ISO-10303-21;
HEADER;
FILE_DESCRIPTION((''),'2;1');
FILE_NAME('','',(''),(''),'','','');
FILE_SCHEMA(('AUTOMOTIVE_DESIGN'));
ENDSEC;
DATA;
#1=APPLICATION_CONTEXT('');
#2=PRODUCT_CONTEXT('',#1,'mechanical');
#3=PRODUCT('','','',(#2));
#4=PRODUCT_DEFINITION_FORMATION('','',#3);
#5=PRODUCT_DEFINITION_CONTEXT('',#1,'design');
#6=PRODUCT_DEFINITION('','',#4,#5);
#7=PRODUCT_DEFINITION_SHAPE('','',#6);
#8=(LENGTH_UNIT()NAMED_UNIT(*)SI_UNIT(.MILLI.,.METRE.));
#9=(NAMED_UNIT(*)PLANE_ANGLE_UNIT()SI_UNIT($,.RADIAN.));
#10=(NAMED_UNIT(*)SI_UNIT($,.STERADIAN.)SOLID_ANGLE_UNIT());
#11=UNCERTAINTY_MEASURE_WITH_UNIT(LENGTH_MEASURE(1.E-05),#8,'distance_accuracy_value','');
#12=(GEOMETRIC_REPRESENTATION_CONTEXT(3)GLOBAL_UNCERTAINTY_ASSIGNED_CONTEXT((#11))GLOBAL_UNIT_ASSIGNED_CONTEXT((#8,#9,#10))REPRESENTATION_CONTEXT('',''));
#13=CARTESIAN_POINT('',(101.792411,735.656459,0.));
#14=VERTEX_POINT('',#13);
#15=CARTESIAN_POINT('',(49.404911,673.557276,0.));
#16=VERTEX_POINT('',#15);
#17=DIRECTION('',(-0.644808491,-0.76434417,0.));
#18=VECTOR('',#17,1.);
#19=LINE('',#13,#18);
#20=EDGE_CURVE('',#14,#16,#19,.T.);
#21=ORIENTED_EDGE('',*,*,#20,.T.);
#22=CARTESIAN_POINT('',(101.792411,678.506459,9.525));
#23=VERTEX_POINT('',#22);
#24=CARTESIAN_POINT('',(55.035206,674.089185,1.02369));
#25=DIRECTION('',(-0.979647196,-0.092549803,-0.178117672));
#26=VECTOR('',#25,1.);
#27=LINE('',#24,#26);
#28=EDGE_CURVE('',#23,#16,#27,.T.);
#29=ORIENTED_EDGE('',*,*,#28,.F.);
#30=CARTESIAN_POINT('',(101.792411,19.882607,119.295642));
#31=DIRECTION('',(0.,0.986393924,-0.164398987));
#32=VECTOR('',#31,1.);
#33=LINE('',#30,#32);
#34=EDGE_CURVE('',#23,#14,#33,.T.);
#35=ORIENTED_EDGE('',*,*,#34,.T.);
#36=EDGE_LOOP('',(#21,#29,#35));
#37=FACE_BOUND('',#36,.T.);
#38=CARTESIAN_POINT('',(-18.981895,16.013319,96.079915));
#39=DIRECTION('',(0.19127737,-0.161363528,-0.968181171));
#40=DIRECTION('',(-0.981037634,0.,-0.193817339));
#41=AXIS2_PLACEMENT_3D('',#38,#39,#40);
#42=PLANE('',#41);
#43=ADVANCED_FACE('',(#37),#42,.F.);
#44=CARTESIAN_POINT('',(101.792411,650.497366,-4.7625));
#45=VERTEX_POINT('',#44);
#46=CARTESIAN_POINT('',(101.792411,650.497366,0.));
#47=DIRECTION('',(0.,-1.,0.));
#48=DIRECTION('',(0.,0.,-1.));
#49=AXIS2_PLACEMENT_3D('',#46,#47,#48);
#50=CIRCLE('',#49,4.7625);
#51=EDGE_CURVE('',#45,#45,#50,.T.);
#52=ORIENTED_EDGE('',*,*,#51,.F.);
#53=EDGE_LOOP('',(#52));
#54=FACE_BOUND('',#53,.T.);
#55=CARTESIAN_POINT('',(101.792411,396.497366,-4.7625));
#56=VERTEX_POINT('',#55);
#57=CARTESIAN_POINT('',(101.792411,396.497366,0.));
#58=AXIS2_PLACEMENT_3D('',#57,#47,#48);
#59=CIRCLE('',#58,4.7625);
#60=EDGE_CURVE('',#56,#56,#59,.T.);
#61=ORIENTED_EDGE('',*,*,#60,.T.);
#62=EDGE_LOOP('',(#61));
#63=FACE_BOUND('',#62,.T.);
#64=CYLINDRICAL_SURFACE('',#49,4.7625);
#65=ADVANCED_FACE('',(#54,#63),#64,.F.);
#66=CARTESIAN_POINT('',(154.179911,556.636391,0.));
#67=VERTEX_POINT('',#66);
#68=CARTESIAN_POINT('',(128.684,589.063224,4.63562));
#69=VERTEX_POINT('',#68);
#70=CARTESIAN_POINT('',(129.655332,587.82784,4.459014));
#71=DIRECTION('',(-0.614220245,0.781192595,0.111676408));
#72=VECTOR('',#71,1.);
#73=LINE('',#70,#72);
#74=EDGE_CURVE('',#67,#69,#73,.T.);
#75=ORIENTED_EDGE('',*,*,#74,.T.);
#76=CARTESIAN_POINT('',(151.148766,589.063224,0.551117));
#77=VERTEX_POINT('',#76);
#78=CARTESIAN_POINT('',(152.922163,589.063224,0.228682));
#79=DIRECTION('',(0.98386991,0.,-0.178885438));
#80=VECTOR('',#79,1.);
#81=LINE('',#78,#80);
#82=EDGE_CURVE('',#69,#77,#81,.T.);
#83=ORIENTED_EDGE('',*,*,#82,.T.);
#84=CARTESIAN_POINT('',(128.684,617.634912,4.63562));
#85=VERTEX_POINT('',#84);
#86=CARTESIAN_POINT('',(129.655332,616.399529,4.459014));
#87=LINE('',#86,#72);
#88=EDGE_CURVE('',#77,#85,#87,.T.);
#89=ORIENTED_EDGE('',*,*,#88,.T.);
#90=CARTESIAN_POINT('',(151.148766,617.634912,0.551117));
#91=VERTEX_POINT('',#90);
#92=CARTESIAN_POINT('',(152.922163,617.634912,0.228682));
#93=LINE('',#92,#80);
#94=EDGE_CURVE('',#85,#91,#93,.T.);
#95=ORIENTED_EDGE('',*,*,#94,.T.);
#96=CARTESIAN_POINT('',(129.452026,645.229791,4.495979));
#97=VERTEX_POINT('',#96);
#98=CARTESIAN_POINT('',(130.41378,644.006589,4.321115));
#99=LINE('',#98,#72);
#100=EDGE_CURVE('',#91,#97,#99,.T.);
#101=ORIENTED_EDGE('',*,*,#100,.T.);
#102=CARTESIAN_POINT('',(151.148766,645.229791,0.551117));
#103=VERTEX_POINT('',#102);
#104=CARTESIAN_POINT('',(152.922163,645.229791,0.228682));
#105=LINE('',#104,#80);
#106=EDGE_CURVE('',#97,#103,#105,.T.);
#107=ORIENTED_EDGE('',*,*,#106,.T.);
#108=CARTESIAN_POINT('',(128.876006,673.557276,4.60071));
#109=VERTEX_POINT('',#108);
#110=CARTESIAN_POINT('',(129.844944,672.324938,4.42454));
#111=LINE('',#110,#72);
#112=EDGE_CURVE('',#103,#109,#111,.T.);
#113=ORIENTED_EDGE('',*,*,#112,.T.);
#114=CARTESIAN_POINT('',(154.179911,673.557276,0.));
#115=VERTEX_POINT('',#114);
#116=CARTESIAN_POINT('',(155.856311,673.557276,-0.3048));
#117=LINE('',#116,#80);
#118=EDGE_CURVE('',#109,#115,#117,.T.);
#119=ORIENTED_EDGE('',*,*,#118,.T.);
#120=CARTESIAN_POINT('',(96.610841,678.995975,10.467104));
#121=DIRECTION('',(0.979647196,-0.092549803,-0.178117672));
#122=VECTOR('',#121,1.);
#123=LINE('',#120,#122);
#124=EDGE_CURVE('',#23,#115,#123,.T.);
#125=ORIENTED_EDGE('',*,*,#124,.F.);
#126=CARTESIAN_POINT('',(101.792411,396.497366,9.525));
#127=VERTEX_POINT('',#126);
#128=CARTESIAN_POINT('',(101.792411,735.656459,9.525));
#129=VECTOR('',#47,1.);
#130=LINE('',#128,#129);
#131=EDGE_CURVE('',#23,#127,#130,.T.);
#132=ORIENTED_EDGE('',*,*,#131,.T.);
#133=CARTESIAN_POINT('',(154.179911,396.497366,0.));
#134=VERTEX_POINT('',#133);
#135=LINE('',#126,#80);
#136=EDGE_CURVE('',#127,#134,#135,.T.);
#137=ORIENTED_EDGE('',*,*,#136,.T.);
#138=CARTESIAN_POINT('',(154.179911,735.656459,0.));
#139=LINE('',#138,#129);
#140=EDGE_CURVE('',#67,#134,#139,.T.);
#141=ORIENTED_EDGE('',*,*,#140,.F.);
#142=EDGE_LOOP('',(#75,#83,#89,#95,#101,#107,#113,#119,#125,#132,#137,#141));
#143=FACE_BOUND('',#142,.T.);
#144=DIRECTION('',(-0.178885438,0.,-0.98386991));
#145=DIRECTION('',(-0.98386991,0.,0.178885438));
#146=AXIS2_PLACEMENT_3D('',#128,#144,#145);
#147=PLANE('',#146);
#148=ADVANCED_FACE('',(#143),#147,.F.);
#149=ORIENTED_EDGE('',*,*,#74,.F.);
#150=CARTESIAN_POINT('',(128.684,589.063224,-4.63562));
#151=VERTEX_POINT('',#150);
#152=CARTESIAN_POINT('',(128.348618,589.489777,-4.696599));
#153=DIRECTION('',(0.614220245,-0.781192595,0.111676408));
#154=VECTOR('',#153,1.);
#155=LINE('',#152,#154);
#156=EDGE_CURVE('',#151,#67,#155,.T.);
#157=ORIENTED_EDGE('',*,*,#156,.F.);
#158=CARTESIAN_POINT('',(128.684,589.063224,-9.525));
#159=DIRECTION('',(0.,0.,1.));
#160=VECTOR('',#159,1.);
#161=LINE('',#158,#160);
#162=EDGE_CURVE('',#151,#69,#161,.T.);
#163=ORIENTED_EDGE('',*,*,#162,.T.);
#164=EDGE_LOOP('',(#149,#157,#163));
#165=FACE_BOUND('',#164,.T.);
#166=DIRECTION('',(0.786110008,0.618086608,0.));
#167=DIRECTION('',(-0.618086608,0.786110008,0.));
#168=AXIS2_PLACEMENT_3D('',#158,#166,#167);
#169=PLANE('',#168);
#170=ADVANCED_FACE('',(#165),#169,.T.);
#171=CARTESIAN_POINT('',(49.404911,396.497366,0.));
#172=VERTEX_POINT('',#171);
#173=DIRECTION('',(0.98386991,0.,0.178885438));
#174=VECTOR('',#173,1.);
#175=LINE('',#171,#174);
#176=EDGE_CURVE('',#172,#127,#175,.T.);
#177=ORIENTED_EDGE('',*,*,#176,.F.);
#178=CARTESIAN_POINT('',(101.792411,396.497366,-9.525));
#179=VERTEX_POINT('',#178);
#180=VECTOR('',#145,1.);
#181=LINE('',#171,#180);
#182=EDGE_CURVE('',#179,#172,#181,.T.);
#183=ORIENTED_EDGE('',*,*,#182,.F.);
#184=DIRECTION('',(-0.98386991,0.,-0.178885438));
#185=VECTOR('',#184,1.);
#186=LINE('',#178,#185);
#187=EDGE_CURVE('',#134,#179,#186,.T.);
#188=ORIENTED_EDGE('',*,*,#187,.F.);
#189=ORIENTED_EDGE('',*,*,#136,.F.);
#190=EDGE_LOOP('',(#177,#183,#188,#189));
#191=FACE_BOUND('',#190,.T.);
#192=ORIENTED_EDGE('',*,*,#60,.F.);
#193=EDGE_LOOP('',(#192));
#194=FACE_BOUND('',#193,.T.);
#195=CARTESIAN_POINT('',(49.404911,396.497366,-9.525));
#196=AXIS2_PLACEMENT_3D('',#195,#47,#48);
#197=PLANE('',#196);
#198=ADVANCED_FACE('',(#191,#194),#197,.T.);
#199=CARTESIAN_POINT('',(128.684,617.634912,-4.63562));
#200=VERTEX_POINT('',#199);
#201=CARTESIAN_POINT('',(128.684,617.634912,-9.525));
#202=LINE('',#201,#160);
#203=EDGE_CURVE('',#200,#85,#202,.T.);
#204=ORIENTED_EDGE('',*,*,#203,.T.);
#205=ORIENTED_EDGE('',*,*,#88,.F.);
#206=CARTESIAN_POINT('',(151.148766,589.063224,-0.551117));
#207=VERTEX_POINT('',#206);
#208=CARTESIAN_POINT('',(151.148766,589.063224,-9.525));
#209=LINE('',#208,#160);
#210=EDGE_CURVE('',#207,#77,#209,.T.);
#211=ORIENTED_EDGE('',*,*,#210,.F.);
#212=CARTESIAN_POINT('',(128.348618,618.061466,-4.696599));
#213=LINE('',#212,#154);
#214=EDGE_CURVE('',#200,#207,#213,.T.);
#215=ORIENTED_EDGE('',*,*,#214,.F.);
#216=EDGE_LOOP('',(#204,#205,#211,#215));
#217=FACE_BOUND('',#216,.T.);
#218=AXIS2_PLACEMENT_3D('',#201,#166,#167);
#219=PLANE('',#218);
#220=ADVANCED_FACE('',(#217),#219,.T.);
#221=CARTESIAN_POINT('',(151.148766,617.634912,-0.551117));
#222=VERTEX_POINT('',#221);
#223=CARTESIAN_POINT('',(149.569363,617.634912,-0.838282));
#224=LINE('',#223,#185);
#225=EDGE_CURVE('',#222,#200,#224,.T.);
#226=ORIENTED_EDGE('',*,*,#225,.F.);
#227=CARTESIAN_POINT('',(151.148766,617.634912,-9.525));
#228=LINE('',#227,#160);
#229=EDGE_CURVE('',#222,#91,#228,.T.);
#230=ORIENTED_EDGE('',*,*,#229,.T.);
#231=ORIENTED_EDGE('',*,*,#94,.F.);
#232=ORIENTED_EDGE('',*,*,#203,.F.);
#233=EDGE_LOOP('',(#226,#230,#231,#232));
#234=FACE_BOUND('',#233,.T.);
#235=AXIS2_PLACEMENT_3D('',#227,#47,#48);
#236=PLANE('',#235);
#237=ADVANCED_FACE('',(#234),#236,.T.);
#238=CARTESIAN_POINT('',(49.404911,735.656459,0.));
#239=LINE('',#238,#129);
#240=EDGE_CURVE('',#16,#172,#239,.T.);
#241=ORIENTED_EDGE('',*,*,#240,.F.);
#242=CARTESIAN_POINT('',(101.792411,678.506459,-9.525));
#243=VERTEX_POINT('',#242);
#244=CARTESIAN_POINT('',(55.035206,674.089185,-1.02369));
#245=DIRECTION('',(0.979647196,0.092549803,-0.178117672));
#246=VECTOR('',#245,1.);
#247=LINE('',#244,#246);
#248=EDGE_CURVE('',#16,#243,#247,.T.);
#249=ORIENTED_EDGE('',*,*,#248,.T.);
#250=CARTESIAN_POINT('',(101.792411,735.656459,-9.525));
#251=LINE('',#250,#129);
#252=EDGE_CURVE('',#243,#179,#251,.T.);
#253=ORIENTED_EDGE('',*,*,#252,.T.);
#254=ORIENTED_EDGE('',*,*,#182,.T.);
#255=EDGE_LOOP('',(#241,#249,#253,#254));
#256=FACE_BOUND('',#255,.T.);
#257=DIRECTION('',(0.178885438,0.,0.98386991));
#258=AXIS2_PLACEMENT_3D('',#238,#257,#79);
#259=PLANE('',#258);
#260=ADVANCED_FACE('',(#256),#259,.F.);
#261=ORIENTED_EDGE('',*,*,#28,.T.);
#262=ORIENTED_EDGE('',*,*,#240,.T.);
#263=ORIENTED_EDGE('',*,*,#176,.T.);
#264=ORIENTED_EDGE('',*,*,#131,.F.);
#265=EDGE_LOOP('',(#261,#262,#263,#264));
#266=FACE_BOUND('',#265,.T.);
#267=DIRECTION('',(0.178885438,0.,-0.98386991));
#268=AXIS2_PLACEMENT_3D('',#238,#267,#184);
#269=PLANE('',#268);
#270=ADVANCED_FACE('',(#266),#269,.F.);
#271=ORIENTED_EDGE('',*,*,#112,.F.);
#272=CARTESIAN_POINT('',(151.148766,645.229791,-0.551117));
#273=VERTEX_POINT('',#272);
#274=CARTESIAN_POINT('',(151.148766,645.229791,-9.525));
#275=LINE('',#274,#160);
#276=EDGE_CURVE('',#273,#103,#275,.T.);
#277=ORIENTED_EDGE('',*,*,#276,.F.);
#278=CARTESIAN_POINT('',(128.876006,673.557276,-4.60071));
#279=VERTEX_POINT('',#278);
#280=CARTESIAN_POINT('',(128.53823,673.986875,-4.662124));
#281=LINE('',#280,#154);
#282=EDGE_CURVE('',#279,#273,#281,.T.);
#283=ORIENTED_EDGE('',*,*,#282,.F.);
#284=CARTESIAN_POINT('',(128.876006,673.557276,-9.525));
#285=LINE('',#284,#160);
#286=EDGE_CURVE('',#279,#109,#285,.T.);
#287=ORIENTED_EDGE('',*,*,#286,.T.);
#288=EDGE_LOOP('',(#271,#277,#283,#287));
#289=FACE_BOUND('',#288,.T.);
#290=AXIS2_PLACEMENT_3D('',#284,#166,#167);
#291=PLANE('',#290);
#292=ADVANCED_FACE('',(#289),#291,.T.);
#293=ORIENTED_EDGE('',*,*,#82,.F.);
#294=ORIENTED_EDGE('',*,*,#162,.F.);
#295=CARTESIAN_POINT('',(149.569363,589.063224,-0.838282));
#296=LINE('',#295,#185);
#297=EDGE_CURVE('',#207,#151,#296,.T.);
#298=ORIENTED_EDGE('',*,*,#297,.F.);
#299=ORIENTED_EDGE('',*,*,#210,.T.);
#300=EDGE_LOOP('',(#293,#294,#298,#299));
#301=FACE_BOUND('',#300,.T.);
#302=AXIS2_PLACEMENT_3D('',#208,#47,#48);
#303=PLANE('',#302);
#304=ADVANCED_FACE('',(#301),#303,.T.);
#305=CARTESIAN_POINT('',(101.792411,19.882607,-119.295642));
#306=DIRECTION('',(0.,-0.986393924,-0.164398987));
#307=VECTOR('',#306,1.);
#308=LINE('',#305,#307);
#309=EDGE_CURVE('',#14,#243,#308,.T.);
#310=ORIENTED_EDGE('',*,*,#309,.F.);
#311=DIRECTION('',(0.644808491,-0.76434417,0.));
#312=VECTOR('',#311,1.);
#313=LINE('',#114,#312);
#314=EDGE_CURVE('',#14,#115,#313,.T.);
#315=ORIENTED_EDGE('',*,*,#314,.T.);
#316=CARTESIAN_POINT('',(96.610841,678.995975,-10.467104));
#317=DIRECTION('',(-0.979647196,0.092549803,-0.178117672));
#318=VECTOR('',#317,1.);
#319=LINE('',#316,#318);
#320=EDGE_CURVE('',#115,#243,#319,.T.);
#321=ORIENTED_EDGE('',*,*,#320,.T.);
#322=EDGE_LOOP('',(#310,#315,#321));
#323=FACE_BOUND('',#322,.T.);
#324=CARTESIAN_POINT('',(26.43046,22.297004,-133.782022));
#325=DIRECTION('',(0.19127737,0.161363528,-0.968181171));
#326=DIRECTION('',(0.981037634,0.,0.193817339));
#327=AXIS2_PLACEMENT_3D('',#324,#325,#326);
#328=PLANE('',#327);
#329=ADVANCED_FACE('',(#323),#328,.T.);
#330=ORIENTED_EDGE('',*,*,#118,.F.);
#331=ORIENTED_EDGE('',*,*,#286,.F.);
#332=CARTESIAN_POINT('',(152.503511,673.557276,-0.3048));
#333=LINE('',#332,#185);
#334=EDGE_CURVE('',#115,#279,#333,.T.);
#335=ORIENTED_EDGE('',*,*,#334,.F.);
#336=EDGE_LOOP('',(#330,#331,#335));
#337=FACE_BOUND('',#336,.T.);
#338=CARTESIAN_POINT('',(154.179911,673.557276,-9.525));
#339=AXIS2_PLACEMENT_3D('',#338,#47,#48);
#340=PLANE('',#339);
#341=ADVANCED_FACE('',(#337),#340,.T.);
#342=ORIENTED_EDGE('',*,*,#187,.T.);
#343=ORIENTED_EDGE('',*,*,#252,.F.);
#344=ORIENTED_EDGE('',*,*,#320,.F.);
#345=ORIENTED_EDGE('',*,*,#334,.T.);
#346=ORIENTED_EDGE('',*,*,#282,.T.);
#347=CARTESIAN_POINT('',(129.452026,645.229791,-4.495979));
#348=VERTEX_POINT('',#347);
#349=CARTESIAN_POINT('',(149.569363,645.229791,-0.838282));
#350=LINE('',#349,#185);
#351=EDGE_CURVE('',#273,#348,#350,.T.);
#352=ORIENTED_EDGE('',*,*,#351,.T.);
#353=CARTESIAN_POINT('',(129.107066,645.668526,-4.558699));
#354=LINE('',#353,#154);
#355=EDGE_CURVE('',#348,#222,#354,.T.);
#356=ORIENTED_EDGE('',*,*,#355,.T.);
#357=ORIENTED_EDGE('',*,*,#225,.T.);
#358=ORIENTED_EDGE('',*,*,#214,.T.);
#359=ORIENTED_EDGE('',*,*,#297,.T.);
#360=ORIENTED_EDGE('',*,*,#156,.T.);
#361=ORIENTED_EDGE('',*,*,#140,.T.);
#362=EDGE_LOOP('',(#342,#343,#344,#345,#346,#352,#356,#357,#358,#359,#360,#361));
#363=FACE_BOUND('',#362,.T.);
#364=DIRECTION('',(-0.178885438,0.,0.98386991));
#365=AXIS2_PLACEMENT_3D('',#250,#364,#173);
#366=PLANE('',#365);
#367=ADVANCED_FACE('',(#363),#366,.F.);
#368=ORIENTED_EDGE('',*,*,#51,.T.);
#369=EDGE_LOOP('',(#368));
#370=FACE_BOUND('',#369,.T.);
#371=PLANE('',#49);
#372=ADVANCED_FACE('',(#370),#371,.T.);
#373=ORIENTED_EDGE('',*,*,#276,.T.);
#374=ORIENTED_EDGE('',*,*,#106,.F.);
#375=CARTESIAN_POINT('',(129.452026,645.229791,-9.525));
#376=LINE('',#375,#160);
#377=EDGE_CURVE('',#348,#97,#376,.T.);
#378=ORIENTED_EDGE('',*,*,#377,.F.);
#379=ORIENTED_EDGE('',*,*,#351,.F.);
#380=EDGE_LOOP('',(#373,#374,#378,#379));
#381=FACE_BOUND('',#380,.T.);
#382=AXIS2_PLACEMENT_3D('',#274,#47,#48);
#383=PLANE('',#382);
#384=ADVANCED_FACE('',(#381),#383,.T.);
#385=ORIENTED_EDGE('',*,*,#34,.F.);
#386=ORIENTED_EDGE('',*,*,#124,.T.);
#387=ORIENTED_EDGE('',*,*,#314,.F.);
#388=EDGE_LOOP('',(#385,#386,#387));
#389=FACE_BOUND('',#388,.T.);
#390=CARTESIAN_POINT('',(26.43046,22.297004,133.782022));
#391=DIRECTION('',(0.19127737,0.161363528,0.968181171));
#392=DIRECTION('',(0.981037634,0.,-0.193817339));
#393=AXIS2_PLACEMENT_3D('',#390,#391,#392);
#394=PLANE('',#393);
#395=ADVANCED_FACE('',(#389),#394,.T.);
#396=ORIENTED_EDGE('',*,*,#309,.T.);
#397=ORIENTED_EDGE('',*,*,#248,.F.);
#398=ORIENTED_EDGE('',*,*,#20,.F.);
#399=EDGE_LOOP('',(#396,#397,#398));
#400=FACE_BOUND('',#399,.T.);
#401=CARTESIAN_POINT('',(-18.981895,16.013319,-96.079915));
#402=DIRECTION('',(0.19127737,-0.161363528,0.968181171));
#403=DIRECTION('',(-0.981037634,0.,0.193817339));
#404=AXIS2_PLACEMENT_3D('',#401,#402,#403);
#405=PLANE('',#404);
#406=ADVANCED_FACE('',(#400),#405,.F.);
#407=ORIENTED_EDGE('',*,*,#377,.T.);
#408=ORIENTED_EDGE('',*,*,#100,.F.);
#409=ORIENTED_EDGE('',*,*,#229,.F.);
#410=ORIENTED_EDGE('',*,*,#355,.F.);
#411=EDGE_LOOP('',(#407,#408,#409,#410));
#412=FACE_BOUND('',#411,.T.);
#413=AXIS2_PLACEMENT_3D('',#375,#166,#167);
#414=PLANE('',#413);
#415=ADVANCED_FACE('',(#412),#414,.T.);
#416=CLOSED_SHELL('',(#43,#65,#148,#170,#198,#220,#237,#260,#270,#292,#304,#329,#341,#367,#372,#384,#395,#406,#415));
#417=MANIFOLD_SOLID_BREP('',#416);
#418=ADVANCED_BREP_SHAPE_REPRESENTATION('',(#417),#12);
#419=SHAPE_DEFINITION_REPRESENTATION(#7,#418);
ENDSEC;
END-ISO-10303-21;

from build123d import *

# Parameters (mm, degrees)
BOSS_EXTRUDE1_DEPTH      = 9.525
BOSS_EXTRUDE1_DEPTH_BACK = 9.525
CUT_EXTRUDE1_DEPTH       = 373.680910299
CUT_EXTRUDE2_DEPTH       = 373.680910299
SKETCH5_W                = 97.518379051
SKETCH5_H                = 136.419580789
CUT_EXTRUDE3_DEPTH       = 739.741184154
SKETCH6_W                = 75.100700845
SKETCH6_H                = 154.277977479
CUT_EXTRUDE4_DEPTH       = 748.678846608
SKETCH7_R                = 4.7625
CUT_EXTRUDE5_DEPTH       = 254


with BuildPart() as part:
    # Sketch1 → Boss-Extrude1 (new, two sides: drawn at the far end of the back side and taken through both)
    with BuildSketch(Plane.XY.offset(-BOSS_EXTRUDE1_DEPTH_BACK)):
        Polygon((101.792411443, 735.656458749), (49.404911443, 673.557276224), (49.404911443, 396.497366015), (154.179911443, 396.497366015), (154.179911443, 556.636391043), (128.683999881, 589.063224066), (151.148766449, 589.063224066), (128.683999881, 617.634912224), (151.148766449, 617.634912224), (129.452026088, 645.229790529), (151.148766449, 645.229790529), (128.876006433, 673.557276224), (154.179911443, 673.557276224), align=None)
    extrude(amount=BOSS_EXTRUDE1_DEPTH + BOSS_EXTRUDE1_DEPTH_BACK)

    # Sketch2 → Cut-Extrude1 (cut, through all)
    with BuildSketch(Plane(origin=(0, 396.497366015, 0), x_dir=(-1, 0, 0), z_dir=(0, -1, 0))):
        Polygon((-49.404911443, 0), (-101.792411443, -9.525), (-154.179911443, 0), (-159.65732669, 0), (-159.65732669, -13.649148588), (-44.158493861, -13.649148588), (-44.158493861, 0), align=None)
    extrude(amount=-CUT_EXTRUDE1_DEPTH, mode=Mode.SUBTRACT)

    # Sketch3 → Cut-Extrude2 (cut, through all)
    with BuildSketch(Plane.XZ.offset(-396.497366015)):
        Polygon((49.404911443, 0), (101.792411443, -9.525), (154.179911443, 0), (159.580570647, 0), (159.580570647, -14.500746269), (43.682013433, -14.500746269), (43.682013433, 0), align=None)
    extrude(amount=-CUT_EXTRUDE2_DEPTH, mode=Mode.SUBTRACT)

    # Sketch5 → Cut-Extrude3 (cut, through all)
    with BuildSketch(Plane(origin=(26.430459561, 22.297003663, 133.782021979), x_dir=(0.9815360247212257, -0.031445805879602766, -0.1886748352776165), z_dir=(0.1912773697394791, 0.16136352846789567, 0.9681811708073739))):
        with Locations((89.248369642, 700.742830845)):
            Rectangle(SKETCH5_W, SKETCH5_H)
    cut_extrude3 = extrude(amount=CUT_EXTRUDE3_DEPTH, mode=Mode.SUBTRACT)

    # Sketch6 → Cut-Extrude4 (cut, through all)
    with BuildSketch(Plane(origin=(-18.981895096, 16.01331916, 96.079914958), x_dir=(0.9815360247212258, 0.03144580587960229, 0.18867483527761636), z_dir=(-0.19127736973947887, 0.1613635284678934, 0.9681811708073744))):
        with Locations((98.873573013, 697.792784398)):
            Rectangle(SKETCH6_W, SKETCH6_H)
    cut_extrude4 = extrude(amount=CUT_EXTRUDE4_DEPTH, mode=Mode.SUBTRACT)

    # Mirror1: Cut-Extrude3, Cut-Extrude4 across plane
    add(cut_extrude3.mirror(Plane.XY), mode=Mode.SUBTRACT)
    add(cut_extrude4.mirror(Plane.XY), mode=Mode.SUBTRACT)

    # Sketch7 → Cut-Extrude5 (cut)
    with BuildSketch(Plane.XZ.offset(-396.497366015)):
        with Locations((101.792411443, 0)):
            Circle(SKETCH7_R)
    extrude(amount=-CUT_EXTRUDE5_DEPTH, mode=Mode.SUBTRACT)


solid = part.part
